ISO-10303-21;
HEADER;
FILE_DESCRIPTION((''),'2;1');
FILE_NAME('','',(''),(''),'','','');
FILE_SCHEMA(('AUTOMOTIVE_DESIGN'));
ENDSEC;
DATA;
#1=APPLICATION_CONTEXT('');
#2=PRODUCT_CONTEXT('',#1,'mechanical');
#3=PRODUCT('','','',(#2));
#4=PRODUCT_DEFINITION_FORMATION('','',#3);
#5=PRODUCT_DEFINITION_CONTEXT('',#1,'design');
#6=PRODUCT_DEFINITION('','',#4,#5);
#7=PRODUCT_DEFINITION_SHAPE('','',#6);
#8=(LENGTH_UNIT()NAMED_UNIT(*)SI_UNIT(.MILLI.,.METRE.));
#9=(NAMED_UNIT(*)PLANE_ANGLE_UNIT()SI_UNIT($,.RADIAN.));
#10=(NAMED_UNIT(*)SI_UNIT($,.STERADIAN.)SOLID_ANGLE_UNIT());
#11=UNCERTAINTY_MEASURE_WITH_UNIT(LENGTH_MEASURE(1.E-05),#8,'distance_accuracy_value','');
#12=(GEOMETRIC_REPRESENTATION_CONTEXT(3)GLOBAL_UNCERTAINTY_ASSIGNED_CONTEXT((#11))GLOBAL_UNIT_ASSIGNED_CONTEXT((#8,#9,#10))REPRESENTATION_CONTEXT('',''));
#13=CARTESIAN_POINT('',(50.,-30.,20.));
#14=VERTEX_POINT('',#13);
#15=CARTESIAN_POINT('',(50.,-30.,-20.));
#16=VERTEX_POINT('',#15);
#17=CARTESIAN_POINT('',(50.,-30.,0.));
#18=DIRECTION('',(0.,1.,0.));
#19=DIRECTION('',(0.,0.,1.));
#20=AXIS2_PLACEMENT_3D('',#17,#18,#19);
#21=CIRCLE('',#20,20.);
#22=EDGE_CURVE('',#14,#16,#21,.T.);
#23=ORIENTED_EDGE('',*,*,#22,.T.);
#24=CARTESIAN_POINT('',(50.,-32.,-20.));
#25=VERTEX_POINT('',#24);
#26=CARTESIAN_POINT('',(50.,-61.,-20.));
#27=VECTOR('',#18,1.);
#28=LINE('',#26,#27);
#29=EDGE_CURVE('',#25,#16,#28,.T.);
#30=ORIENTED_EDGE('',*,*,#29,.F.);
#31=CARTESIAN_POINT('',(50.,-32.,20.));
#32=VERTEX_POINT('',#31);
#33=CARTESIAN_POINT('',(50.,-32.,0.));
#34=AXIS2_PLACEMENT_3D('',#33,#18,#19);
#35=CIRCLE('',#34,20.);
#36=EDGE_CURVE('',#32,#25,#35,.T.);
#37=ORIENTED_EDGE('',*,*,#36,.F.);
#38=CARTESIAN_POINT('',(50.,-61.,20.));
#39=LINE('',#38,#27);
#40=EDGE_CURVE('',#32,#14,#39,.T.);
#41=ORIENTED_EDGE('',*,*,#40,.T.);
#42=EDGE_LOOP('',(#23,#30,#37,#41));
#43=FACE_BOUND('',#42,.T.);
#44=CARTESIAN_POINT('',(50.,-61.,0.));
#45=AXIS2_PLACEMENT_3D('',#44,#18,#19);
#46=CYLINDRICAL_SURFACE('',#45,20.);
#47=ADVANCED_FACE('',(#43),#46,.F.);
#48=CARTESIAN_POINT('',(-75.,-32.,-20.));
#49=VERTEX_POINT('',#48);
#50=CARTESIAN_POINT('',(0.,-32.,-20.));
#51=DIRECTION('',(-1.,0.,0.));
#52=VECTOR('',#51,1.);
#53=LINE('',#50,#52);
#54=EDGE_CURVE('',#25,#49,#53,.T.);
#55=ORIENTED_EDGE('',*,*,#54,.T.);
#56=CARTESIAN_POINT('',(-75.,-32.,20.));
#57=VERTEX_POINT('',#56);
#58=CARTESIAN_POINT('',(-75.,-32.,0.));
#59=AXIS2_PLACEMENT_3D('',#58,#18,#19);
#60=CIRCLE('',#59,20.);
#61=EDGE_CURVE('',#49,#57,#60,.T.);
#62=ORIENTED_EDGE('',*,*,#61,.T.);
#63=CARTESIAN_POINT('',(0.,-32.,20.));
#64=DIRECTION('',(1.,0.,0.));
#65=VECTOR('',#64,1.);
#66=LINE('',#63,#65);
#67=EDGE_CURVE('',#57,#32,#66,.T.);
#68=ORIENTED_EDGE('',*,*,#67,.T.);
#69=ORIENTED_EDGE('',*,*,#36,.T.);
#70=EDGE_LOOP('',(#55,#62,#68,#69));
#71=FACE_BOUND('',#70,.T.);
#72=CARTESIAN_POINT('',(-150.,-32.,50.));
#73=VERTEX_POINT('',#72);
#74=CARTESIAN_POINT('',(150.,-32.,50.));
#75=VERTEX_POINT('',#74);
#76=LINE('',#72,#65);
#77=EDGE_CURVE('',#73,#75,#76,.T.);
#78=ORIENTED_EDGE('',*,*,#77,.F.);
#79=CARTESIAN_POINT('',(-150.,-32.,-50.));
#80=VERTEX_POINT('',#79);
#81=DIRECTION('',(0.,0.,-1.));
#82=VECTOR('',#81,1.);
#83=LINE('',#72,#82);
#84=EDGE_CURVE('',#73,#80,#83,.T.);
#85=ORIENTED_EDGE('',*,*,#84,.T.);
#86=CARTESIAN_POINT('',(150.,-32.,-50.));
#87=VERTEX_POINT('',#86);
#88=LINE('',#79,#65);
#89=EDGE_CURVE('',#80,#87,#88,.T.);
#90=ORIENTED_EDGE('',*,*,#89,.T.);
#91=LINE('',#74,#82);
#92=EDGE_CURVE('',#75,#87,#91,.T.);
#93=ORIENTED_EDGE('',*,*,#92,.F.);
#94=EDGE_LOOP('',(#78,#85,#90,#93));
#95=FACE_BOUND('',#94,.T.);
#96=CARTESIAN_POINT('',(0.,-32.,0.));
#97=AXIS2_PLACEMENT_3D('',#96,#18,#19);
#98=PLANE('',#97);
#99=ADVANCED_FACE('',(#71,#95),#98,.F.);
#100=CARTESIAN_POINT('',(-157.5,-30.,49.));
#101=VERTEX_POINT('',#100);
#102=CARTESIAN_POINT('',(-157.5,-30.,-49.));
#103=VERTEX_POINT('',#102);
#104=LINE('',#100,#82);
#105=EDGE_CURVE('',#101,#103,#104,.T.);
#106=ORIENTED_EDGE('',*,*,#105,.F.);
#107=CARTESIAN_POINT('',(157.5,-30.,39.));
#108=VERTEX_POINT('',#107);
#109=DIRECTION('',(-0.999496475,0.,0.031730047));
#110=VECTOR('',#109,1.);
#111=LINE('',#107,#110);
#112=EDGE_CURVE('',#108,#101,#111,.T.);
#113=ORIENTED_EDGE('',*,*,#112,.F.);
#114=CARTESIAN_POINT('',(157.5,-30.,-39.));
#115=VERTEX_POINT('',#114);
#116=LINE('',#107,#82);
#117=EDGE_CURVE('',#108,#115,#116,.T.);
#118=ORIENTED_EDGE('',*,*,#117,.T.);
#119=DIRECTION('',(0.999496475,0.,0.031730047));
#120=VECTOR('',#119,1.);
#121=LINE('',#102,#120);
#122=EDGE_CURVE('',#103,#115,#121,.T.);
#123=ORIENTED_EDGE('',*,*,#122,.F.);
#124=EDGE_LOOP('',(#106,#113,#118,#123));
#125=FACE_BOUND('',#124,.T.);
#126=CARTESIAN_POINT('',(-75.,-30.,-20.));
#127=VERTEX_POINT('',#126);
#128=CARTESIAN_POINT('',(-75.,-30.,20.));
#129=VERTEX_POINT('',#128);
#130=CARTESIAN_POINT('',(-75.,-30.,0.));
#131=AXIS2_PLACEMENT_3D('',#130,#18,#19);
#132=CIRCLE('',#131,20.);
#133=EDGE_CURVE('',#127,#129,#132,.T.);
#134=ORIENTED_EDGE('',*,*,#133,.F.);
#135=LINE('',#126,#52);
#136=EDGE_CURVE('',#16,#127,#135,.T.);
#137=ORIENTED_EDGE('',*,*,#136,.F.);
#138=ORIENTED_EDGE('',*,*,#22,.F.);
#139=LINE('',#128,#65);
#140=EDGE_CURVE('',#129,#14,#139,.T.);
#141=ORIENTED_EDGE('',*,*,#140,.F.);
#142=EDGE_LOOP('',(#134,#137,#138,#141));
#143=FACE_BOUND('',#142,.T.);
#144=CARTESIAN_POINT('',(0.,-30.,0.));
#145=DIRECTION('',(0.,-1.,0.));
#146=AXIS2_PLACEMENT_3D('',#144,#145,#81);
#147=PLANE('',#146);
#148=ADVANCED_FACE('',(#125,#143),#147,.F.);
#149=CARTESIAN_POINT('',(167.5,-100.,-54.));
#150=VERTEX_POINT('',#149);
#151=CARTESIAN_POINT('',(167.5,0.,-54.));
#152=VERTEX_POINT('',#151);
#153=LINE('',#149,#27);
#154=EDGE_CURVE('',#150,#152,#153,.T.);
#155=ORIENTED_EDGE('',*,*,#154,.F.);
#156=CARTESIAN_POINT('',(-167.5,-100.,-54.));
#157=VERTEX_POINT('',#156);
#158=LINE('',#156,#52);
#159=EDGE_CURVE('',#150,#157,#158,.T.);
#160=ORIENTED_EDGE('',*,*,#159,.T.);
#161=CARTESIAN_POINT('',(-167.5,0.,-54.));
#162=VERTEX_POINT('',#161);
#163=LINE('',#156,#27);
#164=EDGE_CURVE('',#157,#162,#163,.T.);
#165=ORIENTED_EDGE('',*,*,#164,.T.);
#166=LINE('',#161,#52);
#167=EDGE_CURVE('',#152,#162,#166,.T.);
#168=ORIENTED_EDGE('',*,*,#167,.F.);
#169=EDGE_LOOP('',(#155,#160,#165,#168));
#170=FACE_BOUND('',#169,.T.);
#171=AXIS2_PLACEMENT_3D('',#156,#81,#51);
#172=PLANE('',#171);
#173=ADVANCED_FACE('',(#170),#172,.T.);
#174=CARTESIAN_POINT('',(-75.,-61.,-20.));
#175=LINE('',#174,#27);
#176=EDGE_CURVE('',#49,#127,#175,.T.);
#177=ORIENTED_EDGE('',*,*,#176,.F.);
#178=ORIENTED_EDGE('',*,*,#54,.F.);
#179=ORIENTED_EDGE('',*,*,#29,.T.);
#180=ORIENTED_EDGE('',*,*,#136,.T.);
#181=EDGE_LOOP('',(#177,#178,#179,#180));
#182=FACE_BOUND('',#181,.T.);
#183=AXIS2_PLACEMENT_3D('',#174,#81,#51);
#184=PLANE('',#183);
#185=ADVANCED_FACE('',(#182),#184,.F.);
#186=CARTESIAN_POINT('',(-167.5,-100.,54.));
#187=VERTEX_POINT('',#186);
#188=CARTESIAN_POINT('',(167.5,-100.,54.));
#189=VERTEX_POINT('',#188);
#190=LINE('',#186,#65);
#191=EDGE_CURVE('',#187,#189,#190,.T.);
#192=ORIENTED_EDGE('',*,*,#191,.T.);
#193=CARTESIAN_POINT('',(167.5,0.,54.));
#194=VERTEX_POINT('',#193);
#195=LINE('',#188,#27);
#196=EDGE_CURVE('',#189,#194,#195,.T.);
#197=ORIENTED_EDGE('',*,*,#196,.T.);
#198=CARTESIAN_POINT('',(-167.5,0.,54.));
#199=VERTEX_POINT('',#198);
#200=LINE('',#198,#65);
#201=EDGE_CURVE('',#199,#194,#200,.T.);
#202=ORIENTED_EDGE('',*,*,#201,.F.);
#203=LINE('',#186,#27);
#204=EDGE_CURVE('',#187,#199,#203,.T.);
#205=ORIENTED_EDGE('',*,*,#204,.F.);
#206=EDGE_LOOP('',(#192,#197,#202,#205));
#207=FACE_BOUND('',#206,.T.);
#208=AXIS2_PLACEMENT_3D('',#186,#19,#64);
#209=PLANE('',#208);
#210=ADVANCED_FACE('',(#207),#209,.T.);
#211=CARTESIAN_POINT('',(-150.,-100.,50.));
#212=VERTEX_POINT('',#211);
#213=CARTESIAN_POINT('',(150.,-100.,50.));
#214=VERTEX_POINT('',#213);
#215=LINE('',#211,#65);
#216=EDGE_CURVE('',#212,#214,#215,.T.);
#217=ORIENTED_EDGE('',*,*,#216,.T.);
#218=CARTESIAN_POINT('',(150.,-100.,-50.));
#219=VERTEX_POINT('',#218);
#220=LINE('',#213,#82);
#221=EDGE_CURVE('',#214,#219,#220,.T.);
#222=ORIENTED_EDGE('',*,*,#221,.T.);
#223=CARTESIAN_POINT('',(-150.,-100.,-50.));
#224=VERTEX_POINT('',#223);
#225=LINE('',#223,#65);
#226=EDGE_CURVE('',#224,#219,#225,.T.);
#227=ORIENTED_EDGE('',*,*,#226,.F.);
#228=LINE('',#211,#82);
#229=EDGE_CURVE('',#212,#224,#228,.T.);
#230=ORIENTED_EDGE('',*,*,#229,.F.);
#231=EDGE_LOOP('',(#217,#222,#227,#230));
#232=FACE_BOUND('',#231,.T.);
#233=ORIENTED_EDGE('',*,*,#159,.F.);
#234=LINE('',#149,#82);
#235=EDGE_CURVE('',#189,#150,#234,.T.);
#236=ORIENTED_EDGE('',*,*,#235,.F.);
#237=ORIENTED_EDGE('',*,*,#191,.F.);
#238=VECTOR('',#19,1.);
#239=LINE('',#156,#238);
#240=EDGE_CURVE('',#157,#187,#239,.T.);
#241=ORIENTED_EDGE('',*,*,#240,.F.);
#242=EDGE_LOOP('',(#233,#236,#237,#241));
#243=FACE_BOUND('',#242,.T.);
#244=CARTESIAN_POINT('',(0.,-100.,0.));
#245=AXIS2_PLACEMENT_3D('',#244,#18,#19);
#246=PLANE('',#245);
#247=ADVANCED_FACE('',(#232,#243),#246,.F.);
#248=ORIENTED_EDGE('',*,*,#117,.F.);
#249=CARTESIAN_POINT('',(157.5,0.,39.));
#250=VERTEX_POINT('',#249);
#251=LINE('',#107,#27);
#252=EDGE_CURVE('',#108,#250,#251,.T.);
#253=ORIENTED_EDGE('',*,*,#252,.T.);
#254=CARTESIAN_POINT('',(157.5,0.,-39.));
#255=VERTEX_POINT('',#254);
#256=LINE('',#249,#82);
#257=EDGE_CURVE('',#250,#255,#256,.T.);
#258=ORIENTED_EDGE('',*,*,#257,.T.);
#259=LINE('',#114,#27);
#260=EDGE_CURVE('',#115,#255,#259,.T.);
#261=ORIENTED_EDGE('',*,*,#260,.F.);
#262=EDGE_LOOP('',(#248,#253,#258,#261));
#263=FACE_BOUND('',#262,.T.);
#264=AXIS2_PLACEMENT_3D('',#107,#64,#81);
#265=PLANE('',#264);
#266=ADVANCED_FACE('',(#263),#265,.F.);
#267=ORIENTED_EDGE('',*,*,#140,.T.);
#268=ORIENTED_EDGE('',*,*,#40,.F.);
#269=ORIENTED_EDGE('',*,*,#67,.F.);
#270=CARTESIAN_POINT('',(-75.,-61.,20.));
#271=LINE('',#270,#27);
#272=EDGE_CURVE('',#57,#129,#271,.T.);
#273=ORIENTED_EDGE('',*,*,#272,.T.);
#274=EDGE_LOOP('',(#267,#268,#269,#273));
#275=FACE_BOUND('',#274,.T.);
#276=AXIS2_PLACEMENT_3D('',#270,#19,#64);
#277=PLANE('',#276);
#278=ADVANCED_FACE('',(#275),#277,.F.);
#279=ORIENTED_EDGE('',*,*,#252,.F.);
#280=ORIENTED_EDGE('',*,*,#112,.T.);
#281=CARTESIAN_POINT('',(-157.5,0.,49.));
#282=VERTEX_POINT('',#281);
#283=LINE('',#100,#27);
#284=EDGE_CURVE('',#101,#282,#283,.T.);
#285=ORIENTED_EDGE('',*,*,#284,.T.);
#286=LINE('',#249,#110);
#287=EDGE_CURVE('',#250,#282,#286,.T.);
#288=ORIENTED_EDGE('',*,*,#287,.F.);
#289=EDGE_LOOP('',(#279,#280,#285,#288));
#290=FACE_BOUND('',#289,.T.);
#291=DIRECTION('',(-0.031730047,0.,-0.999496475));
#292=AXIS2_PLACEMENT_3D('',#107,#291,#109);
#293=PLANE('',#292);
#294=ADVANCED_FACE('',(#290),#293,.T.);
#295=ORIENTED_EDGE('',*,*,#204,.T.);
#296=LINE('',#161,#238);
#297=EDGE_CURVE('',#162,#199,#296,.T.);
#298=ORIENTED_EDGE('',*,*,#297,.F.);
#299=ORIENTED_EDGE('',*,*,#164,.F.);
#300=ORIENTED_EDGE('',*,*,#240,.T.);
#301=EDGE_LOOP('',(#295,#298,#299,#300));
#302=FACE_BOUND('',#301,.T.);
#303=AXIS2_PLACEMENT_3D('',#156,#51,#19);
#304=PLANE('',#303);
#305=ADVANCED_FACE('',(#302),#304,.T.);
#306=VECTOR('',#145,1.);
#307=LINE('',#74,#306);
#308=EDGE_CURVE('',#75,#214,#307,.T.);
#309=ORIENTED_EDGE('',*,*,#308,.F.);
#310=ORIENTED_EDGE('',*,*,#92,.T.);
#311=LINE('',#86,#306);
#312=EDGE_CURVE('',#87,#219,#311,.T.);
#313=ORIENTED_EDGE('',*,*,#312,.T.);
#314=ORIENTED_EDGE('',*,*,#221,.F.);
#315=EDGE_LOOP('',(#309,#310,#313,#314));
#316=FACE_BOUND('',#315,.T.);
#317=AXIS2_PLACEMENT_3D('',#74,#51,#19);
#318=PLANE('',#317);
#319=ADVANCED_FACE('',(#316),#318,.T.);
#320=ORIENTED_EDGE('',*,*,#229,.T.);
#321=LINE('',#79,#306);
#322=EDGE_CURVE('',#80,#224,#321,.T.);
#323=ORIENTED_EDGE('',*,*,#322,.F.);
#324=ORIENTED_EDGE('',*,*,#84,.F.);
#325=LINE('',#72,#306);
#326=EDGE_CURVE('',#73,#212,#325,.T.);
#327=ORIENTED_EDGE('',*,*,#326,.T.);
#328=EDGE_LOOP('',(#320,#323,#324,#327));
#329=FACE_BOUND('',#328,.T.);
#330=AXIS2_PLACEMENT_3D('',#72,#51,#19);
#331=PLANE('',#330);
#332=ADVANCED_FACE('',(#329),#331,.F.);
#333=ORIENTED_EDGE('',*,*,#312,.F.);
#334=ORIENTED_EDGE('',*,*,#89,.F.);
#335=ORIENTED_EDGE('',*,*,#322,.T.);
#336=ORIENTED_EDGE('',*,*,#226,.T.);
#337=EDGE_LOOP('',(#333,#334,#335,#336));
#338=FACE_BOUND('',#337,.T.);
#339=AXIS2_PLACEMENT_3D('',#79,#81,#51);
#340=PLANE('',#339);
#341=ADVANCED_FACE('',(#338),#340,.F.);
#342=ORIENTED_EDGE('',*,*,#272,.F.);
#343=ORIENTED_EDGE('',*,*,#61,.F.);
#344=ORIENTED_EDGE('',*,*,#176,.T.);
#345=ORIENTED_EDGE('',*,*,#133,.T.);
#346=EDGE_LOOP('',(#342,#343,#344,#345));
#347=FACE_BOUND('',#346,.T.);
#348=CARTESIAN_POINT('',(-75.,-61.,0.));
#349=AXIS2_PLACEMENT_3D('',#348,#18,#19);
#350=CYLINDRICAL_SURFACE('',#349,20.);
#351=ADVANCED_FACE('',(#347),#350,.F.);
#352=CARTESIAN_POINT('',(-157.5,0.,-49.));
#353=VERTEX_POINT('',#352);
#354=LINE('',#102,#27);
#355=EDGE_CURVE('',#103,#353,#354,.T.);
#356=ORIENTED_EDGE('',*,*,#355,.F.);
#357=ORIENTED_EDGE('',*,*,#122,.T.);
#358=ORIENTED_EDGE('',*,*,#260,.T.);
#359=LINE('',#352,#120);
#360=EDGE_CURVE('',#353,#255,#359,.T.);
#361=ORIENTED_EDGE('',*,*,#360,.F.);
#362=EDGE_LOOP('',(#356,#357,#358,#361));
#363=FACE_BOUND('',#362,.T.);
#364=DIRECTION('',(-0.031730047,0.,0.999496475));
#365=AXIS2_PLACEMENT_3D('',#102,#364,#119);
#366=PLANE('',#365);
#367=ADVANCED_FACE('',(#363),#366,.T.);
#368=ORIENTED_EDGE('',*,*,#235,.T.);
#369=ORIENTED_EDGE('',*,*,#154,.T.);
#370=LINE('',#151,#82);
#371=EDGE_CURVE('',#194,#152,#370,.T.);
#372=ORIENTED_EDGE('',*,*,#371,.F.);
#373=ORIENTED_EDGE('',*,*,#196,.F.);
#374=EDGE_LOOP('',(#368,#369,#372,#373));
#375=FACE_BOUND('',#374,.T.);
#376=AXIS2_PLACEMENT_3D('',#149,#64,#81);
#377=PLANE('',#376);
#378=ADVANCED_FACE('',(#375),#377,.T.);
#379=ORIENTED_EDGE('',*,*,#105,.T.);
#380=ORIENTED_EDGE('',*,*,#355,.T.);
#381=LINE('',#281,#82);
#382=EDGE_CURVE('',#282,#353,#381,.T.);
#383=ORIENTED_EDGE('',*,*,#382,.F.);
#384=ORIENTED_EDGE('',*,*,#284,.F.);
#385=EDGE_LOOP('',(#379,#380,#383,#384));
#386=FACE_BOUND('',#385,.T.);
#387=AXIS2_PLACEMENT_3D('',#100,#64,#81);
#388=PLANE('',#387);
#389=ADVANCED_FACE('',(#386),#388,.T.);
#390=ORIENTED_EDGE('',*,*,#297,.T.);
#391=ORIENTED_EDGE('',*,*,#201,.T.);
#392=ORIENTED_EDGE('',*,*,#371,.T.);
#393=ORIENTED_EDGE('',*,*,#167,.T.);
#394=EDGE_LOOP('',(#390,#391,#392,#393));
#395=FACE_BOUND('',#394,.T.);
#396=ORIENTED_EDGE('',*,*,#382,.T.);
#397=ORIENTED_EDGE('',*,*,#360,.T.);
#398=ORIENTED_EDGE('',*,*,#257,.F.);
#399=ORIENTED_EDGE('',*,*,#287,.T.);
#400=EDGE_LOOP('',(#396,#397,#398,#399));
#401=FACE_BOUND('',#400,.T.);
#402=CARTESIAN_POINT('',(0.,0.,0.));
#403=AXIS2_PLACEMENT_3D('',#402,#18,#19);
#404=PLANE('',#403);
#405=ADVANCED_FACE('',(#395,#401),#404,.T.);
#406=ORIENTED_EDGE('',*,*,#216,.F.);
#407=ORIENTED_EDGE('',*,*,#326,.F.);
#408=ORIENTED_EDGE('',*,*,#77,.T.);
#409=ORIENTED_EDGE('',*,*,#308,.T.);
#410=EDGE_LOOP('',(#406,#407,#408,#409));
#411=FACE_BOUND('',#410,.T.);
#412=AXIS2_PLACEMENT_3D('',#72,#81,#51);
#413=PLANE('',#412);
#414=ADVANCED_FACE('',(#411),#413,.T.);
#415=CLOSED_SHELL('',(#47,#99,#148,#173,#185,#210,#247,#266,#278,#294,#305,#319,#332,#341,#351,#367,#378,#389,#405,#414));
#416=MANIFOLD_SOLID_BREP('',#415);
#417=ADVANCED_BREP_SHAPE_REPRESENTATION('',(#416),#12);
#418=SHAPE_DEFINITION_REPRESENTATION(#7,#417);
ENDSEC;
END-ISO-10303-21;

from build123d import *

# Parameters (mm, degrees)
SKETCH2_W           = 335
SKETCH2_H           = 108
BOSS_EXTRUDE4_DEPTH = 100
CUT_EXTRUDE1_DEPTH  = 30
SKETCH4_W           = 300
SKETCH4_H           = 100
CUT_EXTRUDE2_DEPTH  = 68
CUT_EXTRUDE3_DEPTH  = 31


with BuildPart() as part:
    # Sketch2 → Boss-Extrude4 (new body)
    with BuildSketch(Plane(origin=(0, 0, 0), x_dir=(1, 0, 0), z_dir=(0, 1, 0))):
        Rectangle(SKETCH2_W, SKETCH2_H)
    extrude(amount=-BOSS_EXTRUDE4_DEPTH)

    # Sketch3 → Cut-Extrude1 (cut)
    with BuildSketch(Plane(origin=(0, 0, 0), x_dir=(1, 0, 0), z_dir=(0, 1, 0))):
        Polygon((-157.5, -49), (-157.5, 49), (157.5, 39), (157.5, -39), align=None)
    extrude(amount=-CUT_EXTRUDE1_DEPTH, mode=Mode.SUBTRACT)

    # Sketch4 → Cut-Extrude2 (cut)
    with BuildSketch(Plane(origin=(0, -100, 0), x_dir=(-1, 0, 0), z_dir=(0, -1, 0))):
        Rectangle(SKETCH4_W, SKETCH4_H)
    extrude(amount=-CUT_EXTRUDE2_DEPTH, mode=Mode.SUBTRACT)

    # Sketch5 → Cut-Extrude3 (cut)
    with BuildSketch(Plane(origin=(0, -30, 0), x_dir=(1, 0, 0), z_dir=(0, 1, 0))):
        with BuildLine():
            Line((-75, 20), (50, 20))
            ThreePointArc((50, 20), (70, 0), (50, -20))
            Line((50, -20), (-75, -20))
            ThreePointArc((-75, -20), (-95, 0), (-75, 20))
        make_face()
    extrude(amount=-CUT_EXTRUDE3_DEPTH, mode=Mode.SUBTRACT)


solid = part.part
